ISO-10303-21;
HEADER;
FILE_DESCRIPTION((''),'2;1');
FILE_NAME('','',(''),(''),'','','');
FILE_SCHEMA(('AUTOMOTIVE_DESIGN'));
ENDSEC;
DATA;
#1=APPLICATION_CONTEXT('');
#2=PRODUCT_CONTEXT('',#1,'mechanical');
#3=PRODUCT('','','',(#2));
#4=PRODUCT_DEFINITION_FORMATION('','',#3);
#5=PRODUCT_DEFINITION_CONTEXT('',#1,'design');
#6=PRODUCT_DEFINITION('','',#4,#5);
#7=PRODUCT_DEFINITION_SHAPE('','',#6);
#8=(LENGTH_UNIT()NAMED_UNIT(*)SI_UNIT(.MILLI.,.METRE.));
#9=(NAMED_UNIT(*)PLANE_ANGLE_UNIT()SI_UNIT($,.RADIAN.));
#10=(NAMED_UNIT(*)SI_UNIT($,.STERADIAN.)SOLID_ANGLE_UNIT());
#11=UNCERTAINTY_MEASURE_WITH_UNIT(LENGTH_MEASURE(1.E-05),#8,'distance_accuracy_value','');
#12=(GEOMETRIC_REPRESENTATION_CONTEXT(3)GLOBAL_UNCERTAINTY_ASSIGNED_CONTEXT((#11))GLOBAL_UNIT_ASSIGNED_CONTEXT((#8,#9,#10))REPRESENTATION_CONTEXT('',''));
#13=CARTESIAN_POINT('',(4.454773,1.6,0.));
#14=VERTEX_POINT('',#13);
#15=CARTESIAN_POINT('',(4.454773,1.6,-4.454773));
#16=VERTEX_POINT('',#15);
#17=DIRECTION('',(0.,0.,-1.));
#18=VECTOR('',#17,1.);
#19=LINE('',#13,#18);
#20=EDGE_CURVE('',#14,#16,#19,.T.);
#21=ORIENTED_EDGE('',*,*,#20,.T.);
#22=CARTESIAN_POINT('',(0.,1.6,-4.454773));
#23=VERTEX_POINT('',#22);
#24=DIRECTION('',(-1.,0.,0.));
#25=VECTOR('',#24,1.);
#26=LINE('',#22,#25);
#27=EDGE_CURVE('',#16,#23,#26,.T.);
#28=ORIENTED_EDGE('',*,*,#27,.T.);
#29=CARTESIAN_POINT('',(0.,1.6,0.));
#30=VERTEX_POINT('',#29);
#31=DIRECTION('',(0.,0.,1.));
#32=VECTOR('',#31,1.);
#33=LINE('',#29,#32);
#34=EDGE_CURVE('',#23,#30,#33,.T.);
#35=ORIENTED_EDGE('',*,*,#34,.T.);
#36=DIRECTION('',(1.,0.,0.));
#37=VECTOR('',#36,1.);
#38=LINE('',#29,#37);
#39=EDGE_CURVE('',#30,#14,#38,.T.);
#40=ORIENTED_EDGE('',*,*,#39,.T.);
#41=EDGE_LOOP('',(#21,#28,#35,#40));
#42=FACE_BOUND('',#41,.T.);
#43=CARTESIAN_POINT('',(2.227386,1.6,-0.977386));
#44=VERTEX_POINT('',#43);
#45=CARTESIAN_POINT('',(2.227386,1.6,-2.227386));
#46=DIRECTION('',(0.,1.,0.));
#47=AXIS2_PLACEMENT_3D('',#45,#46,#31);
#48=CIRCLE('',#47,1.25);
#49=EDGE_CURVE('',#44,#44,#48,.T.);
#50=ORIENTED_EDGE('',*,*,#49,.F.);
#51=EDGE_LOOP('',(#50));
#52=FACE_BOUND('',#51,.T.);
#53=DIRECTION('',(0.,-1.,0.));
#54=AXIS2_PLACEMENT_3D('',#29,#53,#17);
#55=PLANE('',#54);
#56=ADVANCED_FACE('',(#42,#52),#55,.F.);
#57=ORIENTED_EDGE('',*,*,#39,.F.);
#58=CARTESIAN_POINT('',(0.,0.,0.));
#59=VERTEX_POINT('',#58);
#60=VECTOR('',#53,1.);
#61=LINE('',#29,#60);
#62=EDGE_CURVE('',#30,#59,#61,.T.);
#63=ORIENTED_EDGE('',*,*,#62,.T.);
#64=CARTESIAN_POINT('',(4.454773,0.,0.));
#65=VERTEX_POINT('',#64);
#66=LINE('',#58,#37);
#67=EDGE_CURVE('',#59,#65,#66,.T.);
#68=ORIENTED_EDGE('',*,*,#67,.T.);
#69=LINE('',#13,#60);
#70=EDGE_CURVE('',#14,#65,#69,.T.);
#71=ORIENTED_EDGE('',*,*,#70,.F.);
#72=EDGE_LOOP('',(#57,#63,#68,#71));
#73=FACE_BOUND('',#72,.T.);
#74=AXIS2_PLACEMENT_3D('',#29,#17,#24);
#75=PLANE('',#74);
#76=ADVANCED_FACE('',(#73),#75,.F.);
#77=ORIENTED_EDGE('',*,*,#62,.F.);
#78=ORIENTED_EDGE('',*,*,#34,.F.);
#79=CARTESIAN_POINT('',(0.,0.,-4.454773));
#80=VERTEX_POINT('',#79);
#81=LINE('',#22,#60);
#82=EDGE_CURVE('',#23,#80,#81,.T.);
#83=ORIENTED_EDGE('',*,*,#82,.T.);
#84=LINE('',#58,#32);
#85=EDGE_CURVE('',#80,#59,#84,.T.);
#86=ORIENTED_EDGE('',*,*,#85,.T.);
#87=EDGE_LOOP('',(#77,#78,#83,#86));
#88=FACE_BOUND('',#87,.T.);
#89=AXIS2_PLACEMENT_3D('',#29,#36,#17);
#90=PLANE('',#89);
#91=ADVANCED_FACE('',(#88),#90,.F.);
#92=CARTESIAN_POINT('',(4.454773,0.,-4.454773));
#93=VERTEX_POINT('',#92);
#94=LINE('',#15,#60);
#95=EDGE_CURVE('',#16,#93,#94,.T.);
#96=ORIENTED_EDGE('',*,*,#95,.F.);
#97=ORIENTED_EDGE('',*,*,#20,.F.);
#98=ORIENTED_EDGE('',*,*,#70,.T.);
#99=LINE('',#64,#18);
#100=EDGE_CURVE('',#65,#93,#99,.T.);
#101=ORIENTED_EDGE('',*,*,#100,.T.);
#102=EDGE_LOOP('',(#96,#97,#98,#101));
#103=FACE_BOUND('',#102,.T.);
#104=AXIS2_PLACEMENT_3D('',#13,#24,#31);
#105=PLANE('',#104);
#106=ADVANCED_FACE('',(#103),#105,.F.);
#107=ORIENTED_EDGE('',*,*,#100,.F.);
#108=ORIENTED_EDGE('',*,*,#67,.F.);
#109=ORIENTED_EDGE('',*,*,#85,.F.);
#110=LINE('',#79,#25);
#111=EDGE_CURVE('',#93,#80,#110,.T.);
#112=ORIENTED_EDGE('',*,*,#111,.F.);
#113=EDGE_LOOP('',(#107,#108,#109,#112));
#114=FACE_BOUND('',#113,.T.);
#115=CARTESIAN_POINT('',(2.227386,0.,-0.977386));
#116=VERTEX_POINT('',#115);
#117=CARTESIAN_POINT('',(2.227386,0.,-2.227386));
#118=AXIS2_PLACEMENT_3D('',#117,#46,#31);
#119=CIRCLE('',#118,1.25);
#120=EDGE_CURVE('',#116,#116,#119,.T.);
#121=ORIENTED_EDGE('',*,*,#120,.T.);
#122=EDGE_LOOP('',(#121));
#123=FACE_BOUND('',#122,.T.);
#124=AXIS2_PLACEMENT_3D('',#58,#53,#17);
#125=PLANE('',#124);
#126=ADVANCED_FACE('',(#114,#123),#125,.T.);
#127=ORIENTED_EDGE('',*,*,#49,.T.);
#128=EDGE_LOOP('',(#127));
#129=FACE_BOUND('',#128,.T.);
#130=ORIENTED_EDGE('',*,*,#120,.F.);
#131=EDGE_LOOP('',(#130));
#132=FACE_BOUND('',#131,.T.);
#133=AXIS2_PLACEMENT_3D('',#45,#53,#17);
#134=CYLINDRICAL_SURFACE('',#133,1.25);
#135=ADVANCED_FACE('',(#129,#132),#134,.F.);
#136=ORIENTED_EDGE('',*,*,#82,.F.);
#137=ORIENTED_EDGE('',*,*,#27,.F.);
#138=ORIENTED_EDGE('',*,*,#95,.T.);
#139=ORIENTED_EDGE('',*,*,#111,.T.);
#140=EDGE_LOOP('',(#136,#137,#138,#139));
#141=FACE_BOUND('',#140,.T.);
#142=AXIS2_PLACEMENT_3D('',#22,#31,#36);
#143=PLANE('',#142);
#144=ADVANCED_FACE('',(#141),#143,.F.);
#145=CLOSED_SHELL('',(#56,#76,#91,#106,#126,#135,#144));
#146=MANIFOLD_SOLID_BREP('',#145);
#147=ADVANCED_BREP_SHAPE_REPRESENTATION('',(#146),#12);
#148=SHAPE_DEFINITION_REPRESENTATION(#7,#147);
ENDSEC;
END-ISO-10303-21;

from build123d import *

# Parameters (mm, degrees)
SZKIC1_W                    = 4.454772721
SZKIC1_H                    = 4.454772721
SZKIC1_R                    = 1.25
DODANIE_WYCI_GNI_CIE1_DEPTH = 1.6


with BuildPart() as part:
    # Szkic1 → Dodanie-wyciągnięcie1 (new body)
    with BuildSketch(Plane(origin=(0, 0, 0), x_dir=(1, 0, 0), z_dir=(0, 1, 0))):
        with Locations((2.227386361, 2.227386361)):
            Rectangle(SZKIC1_W, SZKIC1_H)
        with Locations(Location((2.227386361, 2.227386361, 0), (0, 0, 270))):
            Circle(SZKIC1_R, mode=Mode.SUBTRACT)
    extrude(amount=DODANIE_WYCI_GNI_CIE1_DEPTH)


solid = part.part
